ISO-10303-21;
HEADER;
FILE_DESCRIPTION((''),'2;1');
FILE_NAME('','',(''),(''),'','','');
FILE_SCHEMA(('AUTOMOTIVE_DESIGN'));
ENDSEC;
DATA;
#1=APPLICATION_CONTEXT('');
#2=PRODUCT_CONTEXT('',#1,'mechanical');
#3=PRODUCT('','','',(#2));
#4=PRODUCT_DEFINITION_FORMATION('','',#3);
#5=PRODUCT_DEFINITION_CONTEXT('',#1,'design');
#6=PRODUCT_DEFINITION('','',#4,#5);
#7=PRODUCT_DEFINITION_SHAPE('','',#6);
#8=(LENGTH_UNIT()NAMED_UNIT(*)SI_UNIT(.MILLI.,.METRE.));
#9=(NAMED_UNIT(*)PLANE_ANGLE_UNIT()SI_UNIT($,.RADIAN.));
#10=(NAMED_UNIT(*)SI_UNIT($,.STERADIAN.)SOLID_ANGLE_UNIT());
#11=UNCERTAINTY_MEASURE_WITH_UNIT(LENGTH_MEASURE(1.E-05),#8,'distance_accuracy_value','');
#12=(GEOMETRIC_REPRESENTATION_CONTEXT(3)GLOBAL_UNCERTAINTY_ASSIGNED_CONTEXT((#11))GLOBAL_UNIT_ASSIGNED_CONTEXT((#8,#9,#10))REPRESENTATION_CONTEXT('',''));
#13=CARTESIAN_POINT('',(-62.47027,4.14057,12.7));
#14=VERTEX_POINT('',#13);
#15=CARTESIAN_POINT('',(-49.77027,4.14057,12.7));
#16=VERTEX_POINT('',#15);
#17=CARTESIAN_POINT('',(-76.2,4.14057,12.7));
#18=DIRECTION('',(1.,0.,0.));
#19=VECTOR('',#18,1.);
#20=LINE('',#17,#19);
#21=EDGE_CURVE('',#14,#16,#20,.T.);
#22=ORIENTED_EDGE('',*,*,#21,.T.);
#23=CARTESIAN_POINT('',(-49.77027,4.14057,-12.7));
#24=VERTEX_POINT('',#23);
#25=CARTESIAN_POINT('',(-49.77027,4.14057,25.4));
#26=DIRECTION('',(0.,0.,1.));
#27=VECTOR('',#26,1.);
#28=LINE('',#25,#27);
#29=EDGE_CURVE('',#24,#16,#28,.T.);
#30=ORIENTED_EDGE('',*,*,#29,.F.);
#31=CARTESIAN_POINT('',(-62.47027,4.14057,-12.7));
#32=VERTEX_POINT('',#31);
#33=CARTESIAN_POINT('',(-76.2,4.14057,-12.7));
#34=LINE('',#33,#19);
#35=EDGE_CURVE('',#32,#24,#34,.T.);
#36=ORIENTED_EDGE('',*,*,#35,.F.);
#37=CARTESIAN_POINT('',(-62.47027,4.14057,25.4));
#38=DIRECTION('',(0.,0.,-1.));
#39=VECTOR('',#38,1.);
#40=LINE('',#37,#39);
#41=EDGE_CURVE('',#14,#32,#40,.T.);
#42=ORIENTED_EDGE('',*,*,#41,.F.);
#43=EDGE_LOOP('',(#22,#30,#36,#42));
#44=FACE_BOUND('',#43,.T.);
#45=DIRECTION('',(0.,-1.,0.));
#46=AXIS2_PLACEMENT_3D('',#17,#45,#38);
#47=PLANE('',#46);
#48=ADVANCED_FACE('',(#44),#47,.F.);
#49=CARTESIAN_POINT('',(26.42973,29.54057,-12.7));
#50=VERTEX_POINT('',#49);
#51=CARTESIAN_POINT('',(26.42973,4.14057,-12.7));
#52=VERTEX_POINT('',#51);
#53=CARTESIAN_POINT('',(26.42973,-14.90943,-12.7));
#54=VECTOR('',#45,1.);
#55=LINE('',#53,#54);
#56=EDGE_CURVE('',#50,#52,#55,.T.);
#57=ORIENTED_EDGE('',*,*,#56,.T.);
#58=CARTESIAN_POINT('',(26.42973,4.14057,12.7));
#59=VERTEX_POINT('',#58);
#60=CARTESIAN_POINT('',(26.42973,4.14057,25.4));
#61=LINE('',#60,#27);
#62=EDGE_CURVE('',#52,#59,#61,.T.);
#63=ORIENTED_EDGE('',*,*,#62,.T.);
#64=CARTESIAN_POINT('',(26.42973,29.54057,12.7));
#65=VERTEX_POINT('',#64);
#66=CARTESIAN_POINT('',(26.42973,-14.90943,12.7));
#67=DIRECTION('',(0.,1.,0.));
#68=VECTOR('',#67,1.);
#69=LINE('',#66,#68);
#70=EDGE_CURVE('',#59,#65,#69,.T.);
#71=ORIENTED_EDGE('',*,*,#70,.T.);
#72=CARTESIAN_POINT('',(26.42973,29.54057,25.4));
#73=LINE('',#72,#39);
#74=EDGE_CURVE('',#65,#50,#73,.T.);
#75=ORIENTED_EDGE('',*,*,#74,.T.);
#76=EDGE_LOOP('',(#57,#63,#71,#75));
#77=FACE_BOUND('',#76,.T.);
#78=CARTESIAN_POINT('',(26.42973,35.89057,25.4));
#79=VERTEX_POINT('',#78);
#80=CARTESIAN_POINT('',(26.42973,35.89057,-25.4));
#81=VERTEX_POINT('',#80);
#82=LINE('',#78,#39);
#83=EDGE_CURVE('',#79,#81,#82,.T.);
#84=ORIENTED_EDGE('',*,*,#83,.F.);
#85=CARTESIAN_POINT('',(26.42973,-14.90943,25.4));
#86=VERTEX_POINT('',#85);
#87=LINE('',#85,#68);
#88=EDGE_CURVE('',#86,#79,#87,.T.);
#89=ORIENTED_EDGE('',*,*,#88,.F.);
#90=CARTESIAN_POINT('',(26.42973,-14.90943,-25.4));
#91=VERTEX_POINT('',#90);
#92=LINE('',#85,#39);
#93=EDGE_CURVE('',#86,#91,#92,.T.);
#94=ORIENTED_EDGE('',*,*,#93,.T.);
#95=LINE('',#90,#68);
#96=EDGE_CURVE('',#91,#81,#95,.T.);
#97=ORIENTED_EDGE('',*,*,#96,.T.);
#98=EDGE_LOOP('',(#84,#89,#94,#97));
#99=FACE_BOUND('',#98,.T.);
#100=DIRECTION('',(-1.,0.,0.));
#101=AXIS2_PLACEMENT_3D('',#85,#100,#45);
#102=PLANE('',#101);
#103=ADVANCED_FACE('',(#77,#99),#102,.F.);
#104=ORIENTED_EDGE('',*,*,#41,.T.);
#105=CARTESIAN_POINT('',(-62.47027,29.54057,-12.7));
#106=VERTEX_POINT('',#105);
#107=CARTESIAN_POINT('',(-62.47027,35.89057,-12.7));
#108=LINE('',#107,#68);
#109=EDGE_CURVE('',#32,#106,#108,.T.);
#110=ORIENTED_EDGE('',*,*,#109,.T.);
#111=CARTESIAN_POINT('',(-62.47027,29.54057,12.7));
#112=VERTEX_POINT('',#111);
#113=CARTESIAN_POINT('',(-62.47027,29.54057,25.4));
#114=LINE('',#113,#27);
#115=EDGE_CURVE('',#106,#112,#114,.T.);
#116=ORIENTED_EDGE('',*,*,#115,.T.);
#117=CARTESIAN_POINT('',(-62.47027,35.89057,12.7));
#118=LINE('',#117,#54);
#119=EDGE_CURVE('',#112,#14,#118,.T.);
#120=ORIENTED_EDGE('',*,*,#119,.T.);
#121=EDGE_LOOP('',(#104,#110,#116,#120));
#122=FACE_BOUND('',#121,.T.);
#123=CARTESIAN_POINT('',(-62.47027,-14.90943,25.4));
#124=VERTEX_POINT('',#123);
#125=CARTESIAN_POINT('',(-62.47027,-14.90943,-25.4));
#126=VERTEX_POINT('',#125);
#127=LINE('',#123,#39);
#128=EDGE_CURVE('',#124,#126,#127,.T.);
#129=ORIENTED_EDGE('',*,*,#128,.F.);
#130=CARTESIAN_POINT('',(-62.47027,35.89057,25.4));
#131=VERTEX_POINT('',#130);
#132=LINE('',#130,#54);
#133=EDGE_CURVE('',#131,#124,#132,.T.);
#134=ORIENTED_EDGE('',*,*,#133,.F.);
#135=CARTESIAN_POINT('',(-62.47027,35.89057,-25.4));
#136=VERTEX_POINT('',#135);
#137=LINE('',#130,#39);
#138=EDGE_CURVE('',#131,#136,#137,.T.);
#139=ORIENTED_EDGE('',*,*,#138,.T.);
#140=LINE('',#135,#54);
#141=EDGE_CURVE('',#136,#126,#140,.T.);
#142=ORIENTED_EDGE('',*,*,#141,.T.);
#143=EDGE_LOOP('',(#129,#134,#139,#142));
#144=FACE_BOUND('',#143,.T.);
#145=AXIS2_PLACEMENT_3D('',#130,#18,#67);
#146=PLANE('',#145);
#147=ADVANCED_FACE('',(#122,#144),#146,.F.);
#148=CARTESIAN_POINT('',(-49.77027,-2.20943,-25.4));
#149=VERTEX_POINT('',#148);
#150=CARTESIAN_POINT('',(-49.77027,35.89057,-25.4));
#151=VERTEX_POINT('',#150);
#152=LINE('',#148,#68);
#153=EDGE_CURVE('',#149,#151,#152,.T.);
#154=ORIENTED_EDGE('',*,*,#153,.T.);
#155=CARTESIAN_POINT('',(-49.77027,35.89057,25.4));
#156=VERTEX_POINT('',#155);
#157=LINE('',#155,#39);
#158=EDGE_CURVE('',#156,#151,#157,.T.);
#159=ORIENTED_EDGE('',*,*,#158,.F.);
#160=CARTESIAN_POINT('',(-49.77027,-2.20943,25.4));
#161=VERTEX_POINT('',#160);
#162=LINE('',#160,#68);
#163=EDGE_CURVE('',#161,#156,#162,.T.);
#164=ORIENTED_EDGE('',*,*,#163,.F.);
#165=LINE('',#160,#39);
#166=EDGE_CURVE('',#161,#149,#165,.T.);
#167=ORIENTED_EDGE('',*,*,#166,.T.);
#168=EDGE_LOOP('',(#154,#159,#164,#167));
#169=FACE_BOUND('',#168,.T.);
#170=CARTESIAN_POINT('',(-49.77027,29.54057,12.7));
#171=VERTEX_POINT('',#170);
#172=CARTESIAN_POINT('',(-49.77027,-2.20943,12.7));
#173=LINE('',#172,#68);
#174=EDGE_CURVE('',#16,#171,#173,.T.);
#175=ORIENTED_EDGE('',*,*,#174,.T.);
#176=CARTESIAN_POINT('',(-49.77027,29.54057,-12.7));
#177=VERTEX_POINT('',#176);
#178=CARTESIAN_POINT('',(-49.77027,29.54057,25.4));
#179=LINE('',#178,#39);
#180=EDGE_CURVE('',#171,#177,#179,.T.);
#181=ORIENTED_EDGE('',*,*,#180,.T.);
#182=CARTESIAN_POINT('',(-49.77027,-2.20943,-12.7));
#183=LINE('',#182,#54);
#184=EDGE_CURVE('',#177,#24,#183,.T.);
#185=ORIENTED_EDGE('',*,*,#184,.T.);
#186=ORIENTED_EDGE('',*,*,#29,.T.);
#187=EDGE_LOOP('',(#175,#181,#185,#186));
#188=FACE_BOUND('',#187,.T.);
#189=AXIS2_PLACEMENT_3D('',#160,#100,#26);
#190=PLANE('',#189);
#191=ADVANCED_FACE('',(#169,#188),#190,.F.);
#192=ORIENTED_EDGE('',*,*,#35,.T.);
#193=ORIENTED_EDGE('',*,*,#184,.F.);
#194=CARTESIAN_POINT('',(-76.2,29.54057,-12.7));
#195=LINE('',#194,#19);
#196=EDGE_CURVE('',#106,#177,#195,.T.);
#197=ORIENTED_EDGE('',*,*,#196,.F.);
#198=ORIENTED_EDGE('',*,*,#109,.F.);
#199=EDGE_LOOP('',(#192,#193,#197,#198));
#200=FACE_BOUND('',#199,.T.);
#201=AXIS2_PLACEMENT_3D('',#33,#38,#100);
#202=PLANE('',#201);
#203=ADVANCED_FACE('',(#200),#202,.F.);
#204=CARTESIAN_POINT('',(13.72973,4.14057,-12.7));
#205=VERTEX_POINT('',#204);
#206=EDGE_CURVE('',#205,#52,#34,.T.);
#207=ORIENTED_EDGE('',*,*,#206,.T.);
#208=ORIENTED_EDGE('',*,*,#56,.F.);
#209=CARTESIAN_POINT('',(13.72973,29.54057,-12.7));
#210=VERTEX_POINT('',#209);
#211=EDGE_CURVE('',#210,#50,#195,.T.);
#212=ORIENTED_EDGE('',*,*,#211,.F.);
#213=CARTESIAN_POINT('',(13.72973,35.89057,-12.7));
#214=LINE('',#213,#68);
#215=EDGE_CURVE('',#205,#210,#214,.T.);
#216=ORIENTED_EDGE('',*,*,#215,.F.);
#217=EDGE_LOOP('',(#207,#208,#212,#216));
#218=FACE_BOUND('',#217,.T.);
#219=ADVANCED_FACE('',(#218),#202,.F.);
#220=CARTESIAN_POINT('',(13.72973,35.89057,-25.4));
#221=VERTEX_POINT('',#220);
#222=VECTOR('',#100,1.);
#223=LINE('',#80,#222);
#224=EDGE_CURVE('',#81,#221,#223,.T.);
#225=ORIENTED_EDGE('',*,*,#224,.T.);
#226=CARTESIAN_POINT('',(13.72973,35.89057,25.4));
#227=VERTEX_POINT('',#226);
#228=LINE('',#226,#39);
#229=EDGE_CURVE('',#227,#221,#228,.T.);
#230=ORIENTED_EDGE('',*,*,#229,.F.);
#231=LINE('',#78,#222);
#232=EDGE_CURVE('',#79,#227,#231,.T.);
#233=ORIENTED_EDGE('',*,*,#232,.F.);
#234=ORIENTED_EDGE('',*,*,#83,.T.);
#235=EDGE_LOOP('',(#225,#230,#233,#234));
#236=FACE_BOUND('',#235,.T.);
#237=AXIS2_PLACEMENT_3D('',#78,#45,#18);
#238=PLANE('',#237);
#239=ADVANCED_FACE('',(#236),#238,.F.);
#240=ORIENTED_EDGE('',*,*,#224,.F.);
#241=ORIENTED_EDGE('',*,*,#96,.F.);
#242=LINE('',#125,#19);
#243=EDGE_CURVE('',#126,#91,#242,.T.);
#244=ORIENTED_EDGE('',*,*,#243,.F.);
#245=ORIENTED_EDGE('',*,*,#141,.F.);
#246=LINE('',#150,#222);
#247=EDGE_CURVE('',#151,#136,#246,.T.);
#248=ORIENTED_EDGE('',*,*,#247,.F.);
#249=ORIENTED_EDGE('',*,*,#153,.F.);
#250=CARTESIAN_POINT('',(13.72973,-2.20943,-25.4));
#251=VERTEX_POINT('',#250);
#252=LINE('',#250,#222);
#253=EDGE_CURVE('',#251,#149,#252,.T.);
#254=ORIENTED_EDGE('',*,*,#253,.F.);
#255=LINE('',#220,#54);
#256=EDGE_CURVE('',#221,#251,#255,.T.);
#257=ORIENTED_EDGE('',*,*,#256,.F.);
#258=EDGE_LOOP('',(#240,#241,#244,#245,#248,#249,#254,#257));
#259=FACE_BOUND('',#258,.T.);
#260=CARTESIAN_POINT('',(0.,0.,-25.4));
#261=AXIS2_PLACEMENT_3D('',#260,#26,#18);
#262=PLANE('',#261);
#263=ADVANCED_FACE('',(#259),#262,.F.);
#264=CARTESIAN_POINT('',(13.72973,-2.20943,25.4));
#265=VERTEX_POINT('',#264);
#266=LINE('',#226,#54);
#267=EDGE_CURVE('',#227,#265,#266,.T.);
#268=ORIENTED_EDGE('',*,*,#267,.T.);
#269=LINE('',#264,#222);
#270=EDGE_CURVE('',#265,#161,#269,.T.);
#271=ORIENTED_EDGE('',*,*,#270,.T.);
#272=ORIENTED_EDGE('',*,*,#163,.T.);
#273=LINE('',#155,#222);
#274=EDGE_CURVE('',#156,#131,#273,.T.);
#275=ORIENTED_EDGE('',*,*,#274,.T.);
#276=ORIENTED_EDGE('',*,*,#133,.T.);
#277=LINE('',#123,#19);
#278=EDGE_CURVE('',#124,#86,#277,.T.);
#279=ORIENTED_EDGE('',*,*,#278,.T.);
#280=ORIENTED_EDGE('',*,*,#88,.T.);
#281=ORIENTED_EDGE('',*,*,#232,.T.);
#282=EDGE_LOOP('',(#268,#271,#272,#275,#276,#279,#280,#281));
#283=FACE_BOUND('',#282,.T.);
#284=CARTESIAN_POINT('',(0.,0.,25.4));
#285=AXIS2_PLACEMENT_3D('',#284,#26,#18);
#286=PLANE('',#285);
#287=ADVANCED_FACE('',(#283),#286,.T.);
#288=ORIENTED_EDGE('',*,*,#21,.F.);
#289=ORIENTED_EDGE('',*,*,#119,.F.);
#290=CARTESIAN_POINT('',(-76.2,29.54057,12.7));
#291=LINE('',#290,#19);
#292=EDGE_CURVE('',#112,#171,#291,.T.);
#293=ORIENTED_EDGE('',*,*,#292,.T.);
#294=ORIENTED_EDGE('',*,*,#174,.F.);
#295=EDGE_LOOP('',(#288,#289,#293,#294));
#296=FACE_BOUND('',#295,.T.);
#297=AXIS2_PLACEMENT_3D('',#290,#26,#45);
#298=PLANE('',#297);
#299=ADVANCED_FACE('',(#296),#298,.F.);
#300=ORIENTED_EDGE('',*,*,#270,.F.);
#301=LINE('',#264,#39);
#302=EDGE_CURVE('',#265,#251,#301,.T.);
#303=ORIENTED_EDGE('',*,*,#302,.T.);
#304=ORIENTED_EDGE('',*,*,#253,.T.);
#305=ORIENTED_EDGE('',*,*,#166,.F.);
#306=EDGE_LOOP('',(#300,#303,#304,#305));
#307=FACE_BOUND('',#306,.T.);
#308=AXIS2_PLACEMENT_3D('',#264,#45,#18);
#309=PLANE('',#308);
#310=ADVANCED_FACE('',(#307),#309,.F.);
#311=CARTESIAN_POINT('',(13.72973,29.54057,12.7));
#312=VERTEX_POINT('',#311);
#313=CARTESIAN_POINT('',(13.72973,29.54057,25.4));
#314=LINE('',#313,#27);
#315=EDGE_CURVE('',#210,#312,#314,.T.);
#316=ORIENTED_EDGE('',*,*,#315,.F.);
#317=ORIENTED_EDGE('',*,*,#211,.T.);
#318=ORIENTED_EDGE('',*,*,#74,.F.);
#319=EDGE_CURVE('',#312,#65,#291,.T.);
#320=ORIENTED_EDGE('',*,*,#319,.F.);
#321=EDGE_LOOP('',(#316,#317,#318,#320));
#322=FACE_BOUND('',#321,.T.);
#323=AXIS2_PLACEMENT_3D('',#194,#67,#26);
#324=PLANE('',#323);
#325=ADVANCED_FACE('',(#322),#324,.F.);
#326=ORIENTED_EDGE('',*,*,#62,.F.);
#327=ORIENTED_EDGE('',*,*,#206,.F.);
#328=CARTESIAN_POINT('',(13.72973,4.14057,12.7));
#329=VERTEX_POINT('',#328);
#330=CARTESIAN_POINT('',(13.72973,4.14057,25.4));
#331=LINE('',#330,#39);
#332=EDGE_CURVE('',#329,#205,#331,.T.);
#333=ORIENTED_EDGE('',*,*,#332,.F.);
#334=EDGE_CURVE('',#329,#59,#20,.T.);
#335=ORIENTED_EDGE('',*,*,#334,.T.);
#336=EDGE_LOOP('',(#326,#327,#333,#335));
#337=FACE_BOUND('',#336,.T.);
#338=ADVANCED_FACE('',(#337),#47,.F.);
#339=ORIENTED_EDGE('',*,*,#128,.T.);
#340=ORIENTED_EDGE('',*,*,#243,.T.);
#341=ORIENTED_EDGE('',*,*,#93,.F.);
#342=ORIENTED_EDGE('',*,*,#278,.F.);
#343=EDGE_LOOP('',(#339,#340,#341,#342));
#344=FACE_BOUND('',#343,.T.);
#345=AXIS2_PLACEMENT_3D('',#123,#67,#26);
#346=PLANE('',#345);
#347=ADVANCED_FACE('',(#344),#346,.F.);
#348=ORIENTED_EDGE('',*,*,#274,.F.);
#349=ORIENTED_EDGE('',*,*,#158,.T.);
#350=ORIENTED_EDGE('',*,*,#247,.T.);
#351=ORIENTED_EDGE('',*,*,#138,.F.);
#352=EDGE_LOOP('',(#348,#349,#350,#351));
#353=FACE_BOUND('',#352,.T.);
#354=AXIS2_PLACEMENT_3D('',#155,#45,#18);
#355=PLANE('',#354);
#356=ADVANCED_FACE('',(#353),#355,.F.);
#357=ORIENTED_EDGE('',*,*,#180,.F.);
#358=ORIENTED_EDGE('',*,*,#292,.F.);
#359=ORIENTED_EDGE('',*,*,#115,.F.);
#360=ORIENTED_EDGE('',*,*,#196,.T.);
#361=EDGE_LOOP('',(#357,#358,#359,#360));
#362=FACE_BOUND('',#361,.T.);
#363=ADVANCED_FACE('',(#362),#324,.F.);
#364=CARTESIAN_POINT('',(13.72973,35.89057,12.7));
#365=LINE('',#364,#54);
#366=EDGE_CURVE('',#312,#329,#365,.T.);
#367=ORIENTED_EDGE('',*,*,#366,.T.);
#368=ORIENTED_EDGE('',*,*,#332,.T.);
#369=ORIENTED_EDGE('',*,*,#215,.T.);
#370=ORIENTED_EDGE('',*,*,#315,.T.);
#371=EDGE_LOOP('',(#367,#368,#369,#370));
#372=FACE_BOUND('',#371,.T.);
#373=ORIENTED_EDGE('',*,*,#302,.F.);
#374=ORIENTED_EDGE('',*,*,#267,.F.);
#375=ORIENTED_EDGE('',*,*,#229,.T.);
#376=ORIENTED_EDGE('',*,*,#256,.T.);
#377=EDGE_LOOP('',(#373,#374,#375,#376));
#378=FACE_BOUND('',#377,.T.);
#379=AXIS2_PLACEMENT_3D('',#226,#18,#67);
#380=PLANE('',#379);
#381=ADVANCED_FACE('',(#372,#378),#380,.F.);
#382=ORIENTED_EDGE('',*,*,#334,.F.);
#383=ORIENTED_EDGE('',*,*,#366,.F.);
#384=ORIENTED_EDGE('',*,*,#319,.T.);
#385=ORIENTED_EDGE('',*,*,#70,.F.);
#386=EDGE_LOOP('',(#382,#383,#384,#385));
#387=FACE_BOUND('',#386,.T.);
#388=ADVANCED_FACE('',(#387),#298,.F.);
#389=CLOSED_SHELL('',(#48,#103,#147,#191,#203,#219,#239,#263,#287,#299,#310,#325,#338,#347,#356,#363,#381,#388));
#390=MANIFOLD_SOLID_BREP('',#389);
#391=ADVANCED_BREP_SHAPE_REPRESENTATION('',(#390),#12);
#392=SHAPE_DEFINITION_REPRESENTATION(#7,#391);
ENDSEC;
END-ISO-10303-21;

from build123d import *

# Parameters (mm, degrees)
BOSS_EXTRUDE1_DEPTH = 25.4
SKETCH3_W           = 25.4
SKETCH3_H           = 25.4
CUT_EXTRUDE1_DEPTH  = 76.2


with BuildPart() as part:
    # Sketch1 → Boss-Extrude1 (new, symmetric)
    with BuildSketch(Plane.XY):
        Polygon((-62.47027027, -14.909430353), (26.42972973, -14.909430353), (26.42972973, 35.890569647), (13.72972973, 35.890569647), (13.72972973, -2.209430353), (-49.77027027, -2.209430353), (-49.77027027, 35.890569647), (-62.47027027, 35.890569647), align=None)
    extrude(amount=BOSS_EXTRUDE1_DEPTH, both=True)

    # Sketch3 → Cut-Extrude1 (cut, symmetric)
    with BuildSketch(Plane(origin=(0, 0, 0), x_dir=(0, 0, -1), z_dir=(1, 0, 0))):
        with Locations((0, 16.840569647)):
            Rectangle(SKETCH3_W, SKETCH3_H)
    extrude(amount=CUT_EXTRUDE1_DEPTH, both=True, mode=Mode.SUBTRACT)


solid = part.part
